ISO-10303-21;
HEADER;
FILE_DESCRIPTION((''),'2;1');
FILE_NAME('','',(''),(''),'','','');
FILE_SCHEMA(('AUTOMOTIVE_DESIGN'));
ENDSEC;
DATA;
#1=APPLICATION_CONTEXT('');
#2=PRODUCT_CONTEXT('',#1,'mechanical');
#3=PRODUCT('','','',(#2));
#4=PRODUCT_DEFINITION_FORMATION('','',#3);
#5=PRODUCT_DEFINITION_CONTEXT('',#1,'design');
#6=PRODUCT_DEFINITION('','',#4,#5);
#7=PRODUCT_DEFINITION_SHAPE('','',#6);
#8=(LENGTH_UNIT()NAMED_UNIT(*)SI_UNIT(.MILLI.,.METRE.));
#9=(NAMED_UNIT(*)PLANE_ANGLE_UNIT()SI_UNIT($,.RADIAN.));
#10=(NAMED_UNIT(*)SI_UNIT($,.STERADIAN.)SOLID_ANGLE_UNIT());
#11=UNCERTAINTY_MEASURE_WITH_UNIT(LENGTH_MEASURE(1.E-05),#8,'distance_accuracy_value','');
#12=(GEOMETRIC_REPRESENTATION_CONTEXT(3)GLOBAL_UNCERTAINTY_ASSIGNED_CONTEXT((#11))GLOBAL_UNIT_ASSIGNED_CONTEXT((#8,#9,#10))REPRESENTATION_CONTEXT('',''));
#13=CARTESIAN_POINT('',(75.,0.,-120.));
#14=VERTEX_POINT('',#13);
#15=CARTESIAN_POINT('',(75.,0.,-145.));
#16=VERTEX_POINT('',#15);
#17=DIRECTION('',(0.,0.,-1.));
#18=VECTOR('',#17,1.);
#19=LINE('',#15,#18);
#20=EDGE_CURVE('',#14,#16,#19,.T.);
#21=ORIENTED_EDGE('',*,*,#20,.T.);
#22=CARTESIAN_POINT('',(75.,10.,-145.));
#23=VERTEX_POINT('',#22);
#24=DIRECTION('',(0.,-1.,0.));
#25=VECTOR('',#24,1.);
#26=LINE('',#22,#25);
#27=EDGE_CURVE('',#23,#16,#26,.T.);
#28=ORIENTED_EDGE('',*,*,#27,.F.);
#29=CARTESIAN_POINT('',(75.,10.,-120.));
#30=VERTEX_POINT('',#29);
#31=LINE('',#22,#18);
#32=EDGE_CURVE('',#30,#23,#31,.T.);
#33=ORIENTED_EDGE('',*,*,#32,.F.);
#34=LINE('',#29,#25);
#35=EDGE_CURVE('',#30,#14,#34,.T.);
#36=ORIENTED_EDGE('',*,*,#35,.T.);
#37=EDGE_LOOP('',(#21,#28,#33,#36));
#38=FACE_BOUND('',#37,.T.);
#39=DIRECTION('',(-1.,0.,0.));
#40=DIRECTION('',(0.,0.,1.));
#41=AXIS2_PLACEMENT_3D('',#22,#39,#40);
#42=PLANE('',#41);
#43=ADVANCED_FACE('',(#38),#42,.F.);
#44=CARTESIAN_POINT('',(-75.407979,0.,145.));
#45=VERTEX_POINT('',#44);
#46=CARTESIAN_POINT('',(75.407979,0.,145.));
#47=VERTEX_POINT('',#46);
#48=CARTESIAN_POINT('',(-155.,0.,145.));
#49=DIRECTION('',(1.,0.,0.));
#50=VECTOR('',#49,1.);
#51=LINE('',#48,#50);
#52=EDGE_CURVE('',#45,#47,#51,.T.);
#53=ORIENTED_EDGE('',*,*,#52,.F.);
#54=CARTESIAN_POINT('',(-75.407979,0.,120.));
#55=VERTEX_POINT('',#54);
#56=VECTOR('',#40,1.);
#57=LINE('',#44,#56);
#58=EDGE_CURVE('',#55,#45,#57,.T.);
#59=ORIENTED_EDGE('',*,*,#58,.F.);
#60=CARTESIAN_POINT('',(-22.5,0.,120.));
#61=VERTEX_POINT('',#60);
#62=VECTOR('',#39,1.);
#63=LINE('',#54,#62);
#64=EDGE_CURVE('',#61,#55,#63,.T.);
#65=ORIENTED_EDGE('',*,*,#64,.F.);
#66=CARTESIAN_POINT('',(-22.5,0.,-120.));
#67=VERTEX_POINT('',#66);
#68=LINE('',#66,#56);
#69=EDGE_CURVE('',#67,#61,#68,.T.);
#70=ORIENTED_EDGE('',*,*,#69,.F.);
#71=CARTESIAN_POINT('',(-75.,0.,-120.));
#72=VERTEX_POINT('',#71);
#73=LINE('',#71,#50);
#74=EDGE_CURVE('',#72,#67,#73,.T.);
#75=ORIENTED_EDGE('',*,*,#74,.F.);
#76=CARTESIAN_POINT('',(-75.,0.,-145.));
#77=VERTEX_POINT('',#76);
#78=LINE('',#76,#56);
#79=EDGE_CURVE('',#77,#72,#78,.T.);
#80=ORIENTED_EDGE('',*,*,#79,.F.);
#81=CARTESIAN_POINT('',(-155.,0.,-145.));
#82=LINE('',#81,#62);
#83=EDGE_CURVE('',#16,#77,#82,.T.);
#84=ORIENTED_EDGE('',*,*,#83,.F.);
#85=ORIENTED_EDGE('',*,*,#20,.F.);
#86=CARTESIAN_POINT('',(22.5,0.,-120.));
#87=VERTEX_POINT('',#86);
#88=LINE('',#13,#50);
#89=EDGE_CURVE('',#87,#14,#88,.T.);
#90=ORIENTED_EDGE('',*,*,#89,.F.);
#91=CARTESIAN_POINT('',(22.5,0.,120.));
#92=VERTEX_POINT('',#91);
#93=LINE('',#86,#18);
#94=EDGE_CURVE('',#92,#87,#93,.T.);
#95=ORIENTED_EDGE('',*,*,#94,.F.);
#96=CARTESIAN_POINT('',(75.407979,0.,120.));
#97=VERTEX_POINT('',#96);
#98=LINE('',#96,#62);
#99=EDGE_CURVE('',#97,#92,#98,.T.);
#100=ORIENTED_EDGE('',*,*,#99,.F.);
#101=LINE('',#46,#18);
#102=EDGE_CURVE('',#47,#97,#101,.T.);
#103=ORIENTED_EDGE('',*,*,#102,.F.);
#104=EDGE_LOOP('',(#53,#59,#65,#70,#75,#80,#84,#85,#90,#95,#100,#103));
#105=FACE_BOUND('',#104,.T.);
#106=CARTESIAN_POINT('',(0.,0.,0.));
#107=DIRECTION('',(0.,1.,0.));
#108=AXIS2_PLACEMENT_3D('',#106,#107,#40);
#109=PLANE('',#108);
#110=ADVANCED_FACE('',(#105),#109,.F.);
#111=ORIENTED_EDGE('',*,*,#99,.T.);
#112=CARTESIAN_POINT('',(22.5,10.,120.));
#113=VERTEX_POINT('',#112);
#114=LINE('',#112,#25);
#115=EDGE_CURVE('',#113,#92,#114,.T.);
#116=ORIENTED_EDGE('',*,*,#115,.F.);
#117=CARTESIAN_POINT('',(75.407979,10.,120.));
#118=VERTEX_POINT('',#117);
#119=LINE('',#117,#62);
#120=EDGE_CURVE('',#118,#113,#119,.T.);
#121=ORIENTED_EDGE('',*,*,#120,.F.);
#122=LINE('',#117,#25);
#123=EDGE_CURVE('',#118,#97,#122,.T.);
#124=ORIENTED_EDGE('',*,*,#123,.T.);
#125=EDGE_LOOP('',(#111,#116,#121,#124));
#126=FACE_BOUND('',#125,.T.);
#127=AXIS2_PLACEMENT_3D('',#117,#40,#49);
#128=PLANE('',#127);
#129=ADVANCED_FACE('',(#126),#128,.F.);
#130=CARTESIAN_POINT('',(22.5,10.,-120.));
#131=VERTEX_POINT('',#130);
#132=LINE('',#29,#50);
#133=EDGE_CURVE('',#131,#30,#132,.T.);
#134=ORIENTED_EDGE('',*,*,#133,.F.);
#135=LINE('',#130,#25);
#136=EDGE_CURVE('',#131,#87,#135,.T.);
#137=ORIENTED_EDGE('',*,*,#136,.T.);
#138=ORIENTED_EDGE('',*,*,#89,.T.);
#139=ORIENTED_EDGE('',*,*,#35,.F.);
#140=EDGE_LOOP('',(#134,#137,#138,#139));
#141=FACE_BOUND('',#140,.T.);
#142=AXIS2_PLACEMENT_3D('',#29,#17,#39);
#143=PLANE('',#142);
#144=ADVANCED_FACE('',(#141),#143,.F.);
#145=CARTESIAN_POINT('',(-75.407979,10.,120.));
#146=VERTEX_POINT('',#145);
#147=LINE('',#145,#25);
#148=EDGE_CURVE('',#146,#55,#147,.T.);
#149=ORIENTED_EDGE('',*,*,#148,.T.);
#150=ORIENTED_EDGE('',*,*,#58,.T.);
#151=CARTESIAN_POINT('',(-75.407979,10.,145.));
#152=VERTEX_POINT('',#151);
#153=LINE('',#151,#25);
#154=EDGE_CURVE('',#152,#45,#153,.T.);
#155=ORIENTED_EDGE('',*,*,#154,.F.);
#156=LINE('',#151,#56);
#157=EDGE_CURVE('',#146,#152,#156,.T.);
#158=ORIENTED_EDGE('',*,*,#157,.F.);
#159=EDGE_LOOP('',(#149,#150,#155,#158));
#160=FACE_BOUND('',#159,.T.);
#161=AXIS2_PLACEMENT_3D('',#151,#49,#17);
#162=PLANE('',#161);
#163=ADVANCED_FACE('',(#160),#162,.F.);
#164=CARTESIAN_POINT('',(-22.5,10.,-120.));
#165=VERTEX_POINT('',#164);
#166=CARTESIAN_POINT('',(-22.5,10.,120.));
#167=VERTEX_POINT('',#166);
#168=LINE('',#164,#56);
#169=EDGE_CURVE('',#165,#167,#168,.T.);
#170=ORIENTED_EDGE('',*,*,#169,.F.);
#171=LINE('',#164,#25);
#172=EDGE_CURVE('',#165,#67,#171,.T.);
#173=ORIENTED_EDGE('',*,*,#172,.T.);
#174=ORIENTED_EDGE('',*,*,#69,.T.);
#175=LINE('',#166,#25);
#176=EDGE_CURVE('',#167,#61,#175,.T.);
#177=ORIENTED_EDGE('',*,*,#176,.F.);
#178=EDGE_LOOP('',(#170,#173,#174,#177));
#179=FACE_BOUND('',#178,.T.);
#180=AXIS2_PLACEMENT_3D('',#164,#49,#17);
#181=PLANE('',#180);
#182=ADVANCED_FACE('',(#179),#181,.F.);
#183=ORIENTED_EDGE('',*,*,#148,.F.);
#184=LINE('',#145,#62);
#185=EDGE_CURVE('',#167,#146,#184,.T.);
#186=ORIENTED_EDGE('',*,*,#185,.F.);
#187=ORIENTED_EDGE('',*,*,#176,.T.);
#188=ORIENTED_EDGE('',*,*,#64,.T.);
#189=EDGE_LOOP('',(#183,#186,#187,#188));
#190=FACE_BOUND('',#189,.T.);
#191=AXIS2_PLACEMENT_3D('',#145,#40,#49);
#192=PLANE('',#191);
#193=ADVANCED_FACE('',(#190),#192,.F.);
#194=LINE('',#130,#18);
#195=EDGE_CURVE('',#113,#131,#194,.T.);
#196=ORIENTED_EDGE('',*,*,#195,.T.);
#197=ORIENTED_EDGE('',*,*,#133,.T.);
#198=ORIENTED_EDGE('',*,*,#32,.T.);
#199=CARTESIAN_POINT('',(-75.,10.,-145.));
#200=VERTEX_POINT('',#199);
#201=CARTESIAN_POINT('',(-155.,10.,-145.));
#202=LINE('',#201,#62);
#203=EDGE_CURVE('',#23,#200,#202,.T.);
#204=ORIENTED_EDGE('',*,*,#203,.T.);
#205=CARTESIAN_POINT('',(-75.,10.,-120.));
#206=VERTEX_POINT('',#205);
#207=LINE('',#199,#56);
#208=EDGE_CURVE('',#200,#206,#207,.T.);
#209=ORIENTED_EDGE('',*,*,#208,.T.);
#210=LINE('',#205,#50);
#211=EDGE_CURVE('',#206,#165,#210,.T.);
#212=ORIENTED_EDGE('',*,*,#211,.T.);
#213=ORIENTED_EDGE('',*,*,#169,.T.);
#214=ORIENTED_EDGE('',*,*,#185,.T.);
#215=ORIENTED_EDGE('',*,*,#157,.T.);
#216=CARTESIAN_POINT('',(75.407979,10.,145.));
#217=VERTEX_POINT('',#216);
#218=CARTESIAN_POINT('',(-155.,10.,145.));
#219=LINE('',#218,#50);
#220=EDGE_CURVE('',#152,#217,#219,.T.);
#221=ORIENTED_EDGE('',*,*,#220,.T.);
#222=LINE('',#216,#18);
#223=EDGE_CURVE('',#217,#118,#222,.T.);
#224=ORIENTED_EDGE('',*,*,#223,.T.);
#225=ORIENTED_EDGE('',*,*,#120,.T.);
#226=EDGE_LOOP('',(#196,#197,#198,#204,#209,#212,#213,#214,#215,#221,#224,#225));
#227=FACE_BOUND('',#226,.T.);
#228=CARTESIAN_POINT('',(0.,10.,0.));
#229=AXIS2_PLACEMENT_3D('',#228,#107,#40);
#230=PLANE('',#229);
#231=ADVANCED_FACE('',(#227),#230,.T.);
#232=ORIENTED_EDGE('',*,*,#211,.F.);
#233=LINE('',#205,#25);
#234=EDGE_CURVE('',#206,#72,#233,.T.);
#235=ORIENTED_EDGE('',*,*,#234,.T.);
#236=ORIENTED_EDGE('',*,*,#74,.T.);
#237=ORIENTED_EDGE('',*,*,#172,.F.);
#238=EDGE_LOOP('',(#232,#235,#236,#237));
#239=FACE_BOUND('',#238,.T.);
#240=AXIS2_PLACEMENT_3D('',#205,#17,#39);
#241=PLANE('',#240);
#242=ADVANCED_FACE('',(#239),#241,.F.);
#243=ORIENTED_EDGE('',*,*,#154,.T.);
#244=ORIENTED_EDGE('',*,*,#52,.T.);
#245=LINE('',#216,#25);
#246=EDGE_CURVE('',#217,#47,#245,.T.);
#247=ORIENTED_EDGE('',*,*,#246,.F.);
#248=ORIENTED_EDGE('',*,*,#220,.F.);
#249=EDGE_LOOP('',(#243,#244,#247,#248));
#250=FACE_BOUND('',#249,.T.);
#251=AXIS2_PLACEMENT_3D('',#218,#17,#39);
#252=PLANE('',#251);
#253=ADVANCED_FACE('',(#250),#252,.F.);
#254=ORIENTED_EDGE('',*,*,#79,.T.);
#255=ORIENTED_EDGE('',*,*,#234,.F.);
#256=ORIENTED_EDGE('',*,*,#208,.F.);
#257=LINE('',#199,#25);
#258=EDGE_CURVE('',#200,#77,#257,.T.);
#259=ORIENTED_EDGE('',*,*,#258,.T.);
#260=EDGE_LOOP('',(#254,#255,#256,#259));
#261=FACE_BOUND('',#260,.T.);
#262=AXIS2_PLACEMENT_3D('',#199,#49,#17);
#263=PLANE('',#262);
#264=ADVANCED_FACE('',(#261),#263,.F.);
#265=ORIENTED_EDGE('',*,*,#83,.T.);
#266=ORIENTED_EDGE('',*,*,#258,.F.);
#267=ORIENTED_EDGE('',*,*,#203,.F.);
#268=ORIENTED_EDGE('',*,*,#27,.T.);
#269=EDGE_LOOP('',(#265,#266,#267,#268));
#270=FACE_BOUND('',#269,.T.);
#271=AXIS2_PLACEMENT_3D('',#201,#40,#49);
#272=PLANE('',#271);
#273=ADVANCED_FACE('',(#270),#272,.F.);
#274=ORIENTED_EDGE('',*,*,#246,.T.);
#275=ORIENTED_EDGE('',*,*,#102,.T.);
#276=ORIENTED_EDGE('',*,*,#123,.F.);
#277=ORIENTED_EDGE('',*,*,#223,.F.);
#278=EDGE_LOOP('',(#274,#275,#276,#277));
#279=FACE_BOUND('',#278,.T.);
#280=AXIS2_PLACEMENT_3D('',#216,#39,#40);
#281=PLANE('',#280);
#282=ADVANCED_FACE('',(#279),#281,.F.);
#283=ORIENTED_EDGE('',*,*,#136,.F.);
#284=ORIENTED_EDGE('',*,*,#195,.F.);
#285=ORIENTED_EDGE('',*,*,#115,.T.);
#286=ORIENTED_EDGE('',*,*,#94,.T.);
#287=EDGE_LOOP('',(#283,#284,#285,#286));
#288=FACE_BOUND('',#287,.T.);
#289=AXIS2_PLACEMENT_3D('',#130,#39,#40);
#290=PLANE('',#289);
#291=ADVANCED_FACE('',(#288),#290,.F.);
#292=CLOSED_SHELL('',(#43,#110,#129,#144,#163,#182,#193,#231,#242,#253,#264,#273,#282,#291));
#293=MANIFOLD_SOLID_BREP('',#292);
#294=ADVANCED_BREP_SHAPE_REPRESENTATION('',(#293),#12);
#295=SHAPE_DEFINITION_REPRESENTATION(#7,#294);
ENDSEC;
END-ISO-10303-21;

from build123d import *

# Parameters (mm, degrees)
SKETCH1_W           = 310
SKETCH1_H           = 290
BOSS_EXTRUDE1_DEPTH = 10
CUT_EXTRUDE1_DEPTH  = 213.485293609
CUT_EXTRUDE2_DEPTH  = 186.337530006


with BuildPart() as part:
    # Sketch1 → Boss-Extrude1 (new body)
    with BuildSketch(Plane(origin=(0, 0, 0), x_dir=(1, 0, 0), z_dir=(0, 1, 0))):
        Rectangle(SKETCH1_W, SKETCH1_H)
    extrude(amount=BOSS_EXTRUDE1_DEPTH)

    # Sketch2 → Cut-Extrude1 (cut, through all)
    with BuildSketch(Plane(origin=(0, 10, 0), x_dir=(1, 0, 0), z_dir=(0, 1, 0))):
        Polygon((-85.000000124, 145), (-115.000000124, 87.499999968), (-115.000000124, -87.500000032), (-85, -145), (-155, -145), (-155.000000124, 144.999999996), align=None)
        Polygon((155, -145), (155.000000124, 144.999999996), (85.000000124, 145), (115.000000124, 87.499999968), (115.000000124, -87.500000032), (85, -145), align=None)
    extrude(amount=-CUT_EXTRUDE1_DEPTH, mode=Mode.SUBTRACT)

    # Sketch3 → Cut-Extrude2 (cut, through all)
    with BuildSketch(Plane.XZ):
        Polygon((-75.000000124, -145), (-75.000000124, -120), (-22.500000124, -120), (-22.500000124, 120), (-75.407979447, 120), (-75.407979447, 145), (-85, 145), (-115.000000124, 87.500000032), (-115.000000124, -87.499999968), (-85.000000124, -145), align=None)
        Polygon((75.000000124, -120), (22.500000124, -120), (22.500000124, 120), (75.407979447, 120), (75.407979447, 145), (85, 145), (115.000000124, 87.500000032), (115.000000124, -87.499999968), (85.000000124, -145), (75.000000124, -145), align=None)
    extrude(amount=-CUT_EXTRUDE2_DEPTH, mode=Mode.SUBTRACT)


solid = part.part
